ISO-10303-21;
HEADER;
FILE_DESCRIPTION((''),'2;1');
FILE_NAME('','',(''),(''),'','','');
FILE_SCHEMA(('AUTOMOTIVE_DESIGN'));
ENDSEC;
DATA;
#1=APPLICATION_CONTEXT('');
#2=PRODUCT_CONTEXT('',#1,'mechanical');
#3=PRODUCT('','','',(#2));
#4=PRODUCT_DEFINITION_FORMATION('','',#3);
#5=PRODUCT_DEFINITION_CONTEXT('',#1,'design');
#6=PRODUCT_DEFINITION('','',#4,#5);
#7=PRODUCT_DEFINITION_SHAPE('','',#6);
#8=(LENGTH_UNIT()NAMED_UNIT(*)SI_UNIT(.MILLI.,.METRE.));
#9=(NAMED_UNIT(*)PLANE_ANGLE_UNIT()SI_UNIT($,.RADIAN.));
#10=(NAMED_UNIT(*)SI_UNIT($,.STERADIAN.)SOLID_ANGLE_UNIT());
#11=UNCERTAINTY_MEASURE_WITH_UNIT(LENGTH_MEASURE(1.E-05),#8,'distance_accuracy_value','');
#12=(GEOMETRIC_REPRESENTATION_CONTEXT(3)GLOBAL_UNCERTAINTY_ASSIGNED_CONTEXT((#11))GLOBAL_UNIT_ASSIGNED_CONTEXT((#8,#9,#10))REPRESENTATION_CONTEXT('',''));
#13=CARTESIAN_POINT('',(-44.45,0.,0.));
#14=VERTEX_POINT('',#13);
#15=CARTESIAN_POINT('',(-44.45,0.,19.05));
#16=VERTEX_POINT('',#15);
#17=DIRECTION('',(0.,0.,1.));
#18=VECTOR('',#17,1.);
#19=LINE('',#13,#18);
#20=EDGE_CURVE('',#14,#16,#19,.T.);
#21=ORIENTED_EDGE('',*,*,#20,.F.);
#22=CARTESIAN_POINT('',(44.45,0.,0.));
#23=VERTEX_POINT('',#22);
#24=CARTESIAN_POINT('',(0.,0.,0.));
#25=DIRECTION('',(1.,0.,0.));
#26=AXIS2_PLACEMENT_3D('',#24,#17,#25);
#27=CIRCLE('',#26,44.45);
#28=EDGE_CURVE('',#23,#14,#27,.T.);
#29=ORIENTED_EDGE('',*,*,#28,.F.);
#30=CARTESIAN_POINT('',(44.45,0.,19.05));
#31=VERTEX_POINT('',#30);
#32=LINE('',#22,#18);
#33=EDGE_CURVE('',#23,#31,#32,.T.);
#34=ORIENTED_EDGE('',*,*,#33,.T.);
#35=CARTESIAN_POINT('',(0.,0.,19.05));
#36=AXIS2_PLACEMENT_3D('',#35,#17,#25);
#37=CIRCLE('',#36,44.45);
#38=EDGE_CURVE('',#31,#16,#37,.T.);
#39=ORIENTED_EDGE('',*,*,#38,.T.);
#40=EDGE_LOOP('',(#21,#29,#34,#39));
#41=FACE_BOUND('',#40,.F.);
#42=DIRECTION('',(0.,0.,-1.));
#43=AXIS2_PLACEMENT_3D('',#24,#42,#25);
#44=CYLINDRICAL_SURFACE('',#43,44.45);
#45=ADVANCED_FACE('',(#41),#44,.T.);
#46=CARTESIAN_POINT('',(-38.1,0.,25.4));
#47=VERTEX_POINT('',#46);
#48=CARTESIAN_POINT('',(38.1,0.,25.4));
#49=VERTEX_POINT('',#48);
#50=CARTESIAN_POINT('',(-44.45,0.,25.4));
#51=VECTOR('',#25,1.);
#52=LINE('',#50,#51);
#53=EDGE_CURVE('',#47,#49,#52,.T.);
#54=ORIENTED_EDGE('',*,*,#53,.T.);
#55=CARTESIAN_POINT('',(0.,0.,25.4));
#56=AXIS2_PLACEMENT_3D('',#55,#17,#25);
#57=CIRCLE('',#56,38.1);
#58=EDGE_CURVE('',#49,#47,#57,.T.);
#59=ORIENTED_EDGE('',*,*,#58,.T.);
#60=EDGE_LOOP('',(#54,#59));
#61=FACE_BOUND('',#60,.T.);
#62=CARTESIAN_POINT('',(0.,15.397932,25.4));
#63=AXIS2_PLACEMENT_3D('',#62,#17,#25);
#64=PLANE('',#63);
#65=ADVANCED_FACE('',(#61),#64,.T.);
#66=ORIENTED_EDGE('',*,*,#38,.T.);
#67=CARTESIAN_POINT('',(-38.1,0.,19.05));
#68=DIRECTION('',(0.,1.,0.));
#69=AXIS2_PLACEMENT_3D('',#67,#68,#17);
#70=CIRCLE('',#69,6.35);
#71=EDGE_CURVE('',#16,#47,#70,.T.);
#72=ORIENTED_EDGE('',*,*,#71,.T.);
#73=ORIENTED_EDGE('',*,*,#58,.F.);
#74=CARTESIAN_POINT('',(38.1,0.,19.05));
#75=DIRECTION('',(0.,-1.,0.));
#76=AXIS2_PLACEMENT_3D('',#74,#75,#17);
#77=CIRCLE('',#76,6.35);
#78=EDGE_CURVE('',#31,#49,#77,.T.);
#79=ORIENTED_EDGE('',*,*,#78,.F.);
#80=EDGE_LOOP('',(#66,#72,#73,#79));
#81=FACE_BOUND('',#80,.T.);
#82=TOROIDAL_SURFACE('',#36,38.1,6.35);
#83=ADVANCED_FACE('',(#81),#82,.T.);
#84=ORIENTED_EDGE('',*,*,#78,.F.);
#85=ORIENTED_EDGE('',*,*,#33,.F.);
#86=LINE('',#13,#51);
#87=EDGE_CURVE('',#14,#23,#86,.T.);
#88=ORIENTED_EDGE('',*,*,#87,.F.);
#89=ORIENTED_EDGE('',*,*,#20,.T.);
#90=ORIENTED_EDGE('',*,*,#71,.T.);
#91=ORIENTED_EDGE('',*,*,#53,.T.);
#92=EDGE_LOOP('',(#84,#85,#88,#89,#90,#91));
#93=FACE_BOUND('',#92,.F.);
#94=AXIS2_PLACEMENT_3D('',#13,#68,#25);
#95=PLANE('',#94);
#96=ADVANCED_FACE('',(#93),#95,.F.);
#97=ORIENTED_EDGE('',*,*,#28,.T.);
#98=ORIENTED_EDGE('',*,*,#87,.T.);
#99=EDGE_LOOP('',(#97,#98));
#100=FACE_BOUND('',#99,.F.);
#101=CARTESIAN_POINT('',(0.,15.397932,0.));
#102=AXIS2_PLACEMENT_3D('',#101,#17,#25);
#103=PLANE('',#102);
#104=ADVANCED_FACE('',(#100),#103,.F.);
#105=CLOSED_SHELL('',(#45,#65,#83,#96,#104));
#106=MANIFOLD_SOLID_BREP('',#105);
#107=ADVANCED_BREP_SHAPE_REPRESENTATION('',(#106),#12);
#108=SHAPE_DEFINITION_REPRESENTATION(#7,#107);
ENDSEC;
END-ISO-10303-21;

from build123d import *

# Parameters (mm, degrees)
F1_DEPTH = 25.4
F2_R     = 6.35


with BuildPart() as f1:
    # F0 (on Top) → F1 (new body)
    with BuildSketch(Plane.XY):
        with BuildLine():
            ThreePointArc((44.45, 0), (0, 44.45), (-44.45, 0))
            Line((-44.45, 0), (44.45, 0))
        make_face()
    extrude(amount=F1_DEPTH)

    # F2
    f2_edges = [f1.edges().sort_by_distance(p)[0] for p in [
        (0, 44.45, 25.4),
    ]]
    fillet(f2_edges, radius=F2_R)


solid = f1.part
